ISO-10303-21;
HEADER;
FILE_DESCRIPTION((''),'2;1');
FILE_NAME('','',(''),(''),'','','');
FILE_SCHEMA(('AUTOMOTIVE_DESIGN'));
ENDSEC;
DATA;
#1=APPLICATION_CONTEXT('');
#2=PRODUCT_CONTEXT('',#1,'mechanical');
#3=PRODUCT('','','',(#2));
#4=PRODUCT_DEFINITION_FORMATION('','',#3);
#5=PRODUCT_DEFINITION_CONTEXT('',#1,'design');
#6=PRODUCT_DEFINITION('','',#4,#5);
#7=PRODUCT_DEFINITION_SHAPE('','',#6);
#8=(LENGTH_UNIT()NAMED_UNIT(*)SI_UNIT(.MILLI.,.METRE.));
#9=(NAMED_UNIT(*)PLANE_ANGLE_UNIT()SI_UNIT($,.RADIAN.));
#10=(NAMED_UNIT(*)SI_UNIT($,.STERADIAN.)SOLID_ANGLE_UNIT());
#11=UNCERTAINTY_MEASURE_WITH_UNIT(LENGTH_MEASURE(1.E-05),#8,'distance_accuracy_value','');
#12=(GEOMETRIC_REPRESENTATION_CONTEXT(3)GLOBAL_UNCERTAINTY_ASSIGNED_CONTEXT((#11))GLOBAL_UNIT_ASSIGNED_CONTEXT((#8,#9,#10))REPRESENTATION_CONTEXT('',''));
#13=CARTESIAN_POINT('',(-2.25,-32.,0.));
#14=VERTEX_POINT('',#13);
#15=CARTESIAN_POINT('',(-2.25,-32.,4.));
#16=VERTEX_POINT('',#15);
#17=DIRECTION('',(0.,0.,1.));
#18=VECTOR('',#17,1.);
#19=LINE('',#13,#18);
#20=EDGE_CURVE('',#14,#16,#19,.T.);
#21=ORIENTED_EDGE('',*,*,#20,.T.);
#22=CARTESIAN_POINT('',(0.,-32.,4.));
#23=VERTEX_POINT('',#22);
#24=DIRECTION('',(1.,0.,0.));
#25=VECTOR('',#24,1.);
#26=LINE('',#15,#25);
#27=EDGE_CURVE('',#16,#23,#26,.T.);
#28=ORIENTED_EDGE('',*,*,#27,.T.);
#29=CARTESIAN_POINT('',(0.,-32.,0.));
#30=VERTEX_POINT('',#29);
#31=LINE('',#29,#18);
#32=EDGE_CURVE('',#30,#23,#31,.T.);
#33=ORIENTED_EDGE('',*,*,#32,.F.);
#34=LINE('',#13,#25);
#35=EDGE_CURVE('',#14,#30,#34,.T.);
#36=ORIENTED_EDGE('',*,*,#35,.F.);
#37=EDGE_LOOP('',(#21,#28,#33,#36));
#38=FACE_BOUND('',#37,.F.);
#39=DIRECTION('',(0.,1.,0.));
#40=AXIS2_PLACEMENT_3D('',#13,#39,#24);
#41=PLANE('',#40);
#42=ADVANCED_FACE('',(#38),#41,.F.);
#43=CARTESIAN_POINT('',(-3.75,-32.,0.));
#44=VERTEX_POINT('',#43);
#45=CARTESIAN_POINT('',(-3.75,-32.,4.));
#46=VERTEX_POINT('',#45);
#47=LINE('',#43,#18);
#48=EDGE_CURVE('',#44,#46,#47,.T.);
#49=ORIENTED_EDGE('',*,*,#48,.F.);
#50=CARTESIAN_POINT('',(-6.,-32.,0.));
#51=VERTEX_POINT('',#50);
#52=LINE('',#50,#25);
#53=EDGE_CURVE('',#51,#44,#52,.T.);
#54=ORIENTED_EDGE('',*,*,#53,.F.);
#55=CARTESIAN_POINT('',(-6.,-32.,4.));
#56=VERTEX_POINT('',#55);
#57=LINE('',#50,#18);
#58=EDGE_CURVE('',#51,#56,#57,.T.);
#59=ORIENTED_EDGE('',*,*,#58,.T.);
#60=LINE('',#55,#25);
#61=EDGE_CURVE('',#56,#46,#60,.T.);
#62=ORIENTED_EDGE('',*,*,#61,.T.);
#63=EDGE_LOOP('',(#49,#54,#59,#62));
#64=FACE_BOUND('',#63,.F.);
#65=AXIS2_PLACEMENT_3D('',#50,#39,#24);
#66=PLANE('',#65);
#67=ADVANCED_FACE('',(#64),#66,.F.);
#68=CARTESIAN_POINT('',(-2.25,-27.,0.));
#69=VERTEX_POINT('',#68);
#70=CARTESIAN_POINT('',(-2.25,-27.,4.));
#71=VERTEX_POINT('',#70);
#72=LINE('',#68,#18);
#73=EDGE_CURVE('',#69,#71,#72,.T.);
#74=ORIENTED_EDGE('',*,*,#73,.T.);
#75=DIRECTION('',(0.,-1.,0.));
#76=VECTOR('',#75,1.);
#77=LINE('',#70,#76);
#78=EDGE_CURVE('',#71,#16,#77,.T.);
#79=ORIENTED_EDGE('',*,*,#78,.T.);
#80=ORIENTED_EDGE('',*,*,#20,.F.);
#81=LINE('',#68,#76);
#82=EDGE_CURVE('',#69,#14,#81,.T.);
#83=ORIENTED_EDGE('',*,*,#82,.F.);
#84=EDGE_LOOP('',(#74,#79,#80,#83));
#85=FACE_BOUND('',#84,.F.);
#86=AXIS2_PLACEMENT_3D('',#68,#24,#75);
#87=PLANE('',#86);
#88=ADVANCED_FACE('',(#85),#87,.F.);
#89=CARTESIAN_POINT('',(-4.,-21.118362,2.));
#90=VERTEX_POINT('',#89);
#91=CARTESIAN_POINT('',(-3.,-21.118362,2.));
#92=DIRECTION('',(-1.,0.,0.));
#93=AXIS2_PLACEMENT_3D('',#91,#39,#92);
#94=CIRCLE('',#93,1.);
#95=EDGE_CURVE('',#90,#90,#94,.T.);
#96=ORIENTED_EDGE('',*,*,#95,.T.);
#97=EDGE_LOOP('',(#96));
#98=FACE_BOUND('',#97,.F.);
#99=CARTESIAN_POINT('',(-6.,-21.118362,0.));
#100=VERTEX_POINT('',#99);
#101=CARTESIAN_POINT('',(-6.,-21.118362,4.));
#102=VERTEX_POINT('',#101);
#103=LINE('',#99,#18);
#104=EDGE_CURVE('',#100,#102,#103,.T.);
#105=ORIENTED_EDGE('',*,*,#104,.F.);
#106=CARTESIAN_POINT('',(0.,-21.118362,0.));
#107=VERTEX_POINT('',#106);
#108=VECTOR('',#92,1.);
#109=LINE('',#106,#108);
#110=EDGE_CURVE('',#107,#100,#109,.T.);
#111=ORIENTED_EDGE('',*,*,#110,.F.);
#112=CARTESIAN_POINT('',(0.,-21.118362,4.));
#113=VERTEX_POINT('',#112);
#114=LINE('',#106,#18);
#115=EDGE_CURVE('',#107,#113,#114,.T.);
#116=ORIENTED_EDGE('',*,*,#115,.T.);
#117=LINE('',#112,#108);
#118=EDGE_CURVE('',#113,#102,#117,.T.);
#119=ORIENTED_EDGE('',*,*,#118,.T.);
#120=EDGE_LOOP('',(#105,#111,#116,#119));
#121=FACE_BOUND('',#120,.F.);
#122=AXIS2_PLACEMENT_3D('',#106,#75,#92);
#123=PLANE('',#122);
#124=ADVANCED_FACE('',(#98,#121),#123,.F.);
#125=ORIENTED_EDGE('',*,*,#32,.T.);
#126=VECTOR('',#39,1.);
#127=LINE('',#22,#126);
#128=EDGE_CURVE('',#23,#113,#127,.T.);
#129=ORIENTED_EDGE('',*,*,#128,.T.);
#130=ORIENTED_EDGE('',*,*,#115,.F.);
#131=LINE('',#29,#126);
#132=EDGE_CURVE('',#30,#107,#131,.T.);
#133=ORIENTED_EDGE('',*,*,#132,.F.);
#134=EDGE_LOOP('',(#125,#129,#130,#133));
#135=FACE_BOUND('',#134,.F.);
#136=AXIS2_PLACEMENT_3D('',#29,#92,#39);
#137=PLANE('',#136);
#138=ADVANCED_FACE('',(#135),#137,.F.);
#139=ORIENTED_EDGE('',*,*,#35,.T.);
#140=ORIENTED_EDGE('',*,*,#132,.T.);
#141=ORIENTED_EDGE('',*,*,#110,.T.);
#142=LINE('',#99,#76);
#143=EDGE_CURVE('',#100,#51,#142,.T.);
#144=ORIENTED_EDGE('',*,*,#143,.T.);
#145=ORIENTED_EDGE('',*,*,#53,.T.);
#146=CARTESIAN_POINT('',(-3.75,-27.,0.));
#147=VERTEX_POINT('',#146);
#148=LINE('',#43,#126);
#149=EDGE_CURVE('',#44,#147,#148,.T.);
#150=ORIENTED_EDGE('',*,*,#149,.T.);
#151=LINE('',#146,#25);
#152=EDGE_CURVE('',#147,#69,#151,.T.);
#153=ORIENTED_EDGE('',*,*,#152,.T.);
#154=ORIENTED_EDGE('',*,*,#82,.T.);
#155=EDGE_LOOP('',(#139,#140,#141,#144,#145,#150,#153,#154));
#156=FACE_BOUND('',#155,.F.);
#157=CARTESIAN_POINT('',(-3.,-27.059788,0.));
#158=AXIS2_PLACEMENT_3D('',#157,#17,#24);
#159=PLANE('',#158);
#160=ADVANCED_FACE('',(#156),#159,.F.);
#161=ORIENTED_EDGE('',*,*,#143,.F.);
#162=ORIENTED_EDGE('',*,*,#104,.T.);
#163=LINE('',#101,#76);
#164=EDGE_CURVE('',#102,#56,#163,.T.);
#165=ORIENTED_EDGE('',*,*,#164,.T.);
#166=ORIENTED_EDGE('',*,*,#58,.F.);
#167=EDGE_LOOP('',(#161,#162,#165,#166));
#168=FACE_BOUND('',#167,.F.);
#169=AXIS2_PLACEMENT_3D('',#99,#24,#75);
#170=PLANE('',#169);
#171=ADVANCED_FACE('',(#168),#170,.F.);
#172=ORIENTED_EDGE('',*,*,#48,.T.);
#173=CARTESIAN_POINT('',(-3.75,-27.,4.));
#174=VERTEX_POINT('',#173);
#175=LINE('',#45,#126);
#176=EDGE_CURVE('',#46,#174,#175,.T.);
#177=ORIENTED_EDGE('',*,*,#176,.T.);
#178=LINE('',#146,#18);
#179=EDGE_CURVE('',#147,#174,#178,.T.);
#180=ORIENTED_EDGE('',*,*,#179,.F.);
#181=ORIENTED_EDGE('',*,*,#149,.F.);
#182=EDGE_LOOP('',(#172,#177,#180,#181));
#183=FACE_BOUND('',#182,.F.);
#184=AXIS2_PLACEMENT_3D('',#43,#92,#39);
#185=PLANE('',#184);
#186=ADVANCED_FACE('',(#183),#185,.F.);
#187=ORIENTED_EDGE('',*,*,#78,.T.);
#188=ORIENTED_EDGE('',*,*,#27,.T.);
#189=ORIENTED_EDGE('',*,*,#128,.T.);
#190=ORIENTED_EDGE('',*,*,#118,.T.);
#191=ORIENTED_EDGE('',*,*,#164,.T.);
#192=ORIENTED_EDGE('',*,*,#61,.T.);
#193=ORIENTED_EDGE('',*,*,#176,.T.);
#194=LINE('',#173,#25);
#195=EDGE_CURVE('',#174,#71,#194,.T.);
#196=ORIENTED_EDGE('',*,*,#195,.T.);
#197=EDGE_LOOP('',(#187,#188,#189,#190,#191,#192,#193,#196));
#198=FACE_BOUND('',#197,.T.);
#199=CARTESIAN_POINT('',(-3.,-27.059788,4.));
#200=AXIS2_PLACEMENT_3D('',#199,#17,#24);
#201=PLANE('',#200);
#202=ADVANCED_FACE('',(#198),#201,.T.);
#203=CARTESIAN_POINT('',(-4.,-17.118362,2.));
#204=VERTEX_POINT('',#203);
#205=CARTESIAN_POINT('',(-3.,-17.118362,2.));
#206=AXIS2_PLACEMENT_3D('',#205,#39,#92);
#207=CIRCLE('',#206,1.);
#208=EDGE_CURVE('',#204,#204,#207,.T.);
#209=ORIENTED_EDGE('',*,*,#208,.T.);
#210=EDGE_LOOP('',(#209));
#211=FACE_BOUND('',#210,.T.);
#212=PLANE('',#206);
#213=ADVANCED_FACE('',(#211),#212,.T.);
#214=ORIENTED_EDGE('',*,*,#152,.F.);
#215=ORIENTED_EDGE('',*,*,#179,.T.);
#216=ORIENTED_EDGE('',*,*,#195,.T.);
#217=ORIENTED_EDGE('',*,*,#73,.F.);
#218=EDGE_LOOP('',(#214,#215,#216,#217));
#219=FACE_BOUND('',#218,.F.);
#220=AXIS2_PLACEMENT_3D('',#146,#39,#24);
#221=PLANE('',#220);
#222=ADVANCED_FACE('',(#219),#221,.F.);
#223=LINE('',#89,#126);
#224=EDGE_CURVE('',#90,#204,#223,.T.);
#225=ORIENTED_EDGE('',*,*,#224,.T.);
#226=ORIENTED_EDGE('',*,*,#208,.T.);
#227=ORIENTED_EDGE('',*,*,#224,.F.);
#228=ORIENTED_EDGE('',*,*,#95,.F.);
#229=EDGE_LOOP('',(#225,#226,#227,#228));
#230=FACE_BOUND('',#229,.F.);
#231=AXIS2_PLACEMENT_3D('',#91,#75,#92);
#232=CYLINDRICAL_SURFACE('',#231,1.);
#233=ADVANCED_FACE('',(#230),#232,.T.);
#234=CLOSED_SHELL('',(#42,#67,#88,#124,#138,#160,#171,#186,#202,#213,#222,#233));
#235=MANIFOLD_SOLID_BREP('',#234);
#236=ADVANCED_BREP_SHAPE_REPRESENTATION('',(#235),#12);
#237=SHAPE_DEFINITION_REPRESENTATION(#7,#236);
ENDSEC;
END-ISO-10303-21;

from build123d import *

# Parameters (mm, degrees)
F1_DEPTH = 4
F2_R     = 1
F3_DEPTH = 4


with BuildPart() as f1:
    # F0 (on Top) → F1 (new body)
    with BuildSketch(Plane.XY):
        Polygon((-3.75, -32), (-3.75, -27), (-2.25, -27), (-2.25, -32), (0, -32), (0, -21.280894), (0, -21.118362), (-6, -21.118362), (-6, -32), align=None)
    extrude(amount=F1_DEPTH)

    # F2 (on face) → F3 (join)
    with BuildSketch(Plane(origin=(0, -21.118362, 0), x_dir=(-1, 0, 0), z_dir=(0, 1, 0))):
        with Locations((3, 2)):
            Circle(F2_R)
    extrude(amount=F3_DEPTH)


solid = f1.part
